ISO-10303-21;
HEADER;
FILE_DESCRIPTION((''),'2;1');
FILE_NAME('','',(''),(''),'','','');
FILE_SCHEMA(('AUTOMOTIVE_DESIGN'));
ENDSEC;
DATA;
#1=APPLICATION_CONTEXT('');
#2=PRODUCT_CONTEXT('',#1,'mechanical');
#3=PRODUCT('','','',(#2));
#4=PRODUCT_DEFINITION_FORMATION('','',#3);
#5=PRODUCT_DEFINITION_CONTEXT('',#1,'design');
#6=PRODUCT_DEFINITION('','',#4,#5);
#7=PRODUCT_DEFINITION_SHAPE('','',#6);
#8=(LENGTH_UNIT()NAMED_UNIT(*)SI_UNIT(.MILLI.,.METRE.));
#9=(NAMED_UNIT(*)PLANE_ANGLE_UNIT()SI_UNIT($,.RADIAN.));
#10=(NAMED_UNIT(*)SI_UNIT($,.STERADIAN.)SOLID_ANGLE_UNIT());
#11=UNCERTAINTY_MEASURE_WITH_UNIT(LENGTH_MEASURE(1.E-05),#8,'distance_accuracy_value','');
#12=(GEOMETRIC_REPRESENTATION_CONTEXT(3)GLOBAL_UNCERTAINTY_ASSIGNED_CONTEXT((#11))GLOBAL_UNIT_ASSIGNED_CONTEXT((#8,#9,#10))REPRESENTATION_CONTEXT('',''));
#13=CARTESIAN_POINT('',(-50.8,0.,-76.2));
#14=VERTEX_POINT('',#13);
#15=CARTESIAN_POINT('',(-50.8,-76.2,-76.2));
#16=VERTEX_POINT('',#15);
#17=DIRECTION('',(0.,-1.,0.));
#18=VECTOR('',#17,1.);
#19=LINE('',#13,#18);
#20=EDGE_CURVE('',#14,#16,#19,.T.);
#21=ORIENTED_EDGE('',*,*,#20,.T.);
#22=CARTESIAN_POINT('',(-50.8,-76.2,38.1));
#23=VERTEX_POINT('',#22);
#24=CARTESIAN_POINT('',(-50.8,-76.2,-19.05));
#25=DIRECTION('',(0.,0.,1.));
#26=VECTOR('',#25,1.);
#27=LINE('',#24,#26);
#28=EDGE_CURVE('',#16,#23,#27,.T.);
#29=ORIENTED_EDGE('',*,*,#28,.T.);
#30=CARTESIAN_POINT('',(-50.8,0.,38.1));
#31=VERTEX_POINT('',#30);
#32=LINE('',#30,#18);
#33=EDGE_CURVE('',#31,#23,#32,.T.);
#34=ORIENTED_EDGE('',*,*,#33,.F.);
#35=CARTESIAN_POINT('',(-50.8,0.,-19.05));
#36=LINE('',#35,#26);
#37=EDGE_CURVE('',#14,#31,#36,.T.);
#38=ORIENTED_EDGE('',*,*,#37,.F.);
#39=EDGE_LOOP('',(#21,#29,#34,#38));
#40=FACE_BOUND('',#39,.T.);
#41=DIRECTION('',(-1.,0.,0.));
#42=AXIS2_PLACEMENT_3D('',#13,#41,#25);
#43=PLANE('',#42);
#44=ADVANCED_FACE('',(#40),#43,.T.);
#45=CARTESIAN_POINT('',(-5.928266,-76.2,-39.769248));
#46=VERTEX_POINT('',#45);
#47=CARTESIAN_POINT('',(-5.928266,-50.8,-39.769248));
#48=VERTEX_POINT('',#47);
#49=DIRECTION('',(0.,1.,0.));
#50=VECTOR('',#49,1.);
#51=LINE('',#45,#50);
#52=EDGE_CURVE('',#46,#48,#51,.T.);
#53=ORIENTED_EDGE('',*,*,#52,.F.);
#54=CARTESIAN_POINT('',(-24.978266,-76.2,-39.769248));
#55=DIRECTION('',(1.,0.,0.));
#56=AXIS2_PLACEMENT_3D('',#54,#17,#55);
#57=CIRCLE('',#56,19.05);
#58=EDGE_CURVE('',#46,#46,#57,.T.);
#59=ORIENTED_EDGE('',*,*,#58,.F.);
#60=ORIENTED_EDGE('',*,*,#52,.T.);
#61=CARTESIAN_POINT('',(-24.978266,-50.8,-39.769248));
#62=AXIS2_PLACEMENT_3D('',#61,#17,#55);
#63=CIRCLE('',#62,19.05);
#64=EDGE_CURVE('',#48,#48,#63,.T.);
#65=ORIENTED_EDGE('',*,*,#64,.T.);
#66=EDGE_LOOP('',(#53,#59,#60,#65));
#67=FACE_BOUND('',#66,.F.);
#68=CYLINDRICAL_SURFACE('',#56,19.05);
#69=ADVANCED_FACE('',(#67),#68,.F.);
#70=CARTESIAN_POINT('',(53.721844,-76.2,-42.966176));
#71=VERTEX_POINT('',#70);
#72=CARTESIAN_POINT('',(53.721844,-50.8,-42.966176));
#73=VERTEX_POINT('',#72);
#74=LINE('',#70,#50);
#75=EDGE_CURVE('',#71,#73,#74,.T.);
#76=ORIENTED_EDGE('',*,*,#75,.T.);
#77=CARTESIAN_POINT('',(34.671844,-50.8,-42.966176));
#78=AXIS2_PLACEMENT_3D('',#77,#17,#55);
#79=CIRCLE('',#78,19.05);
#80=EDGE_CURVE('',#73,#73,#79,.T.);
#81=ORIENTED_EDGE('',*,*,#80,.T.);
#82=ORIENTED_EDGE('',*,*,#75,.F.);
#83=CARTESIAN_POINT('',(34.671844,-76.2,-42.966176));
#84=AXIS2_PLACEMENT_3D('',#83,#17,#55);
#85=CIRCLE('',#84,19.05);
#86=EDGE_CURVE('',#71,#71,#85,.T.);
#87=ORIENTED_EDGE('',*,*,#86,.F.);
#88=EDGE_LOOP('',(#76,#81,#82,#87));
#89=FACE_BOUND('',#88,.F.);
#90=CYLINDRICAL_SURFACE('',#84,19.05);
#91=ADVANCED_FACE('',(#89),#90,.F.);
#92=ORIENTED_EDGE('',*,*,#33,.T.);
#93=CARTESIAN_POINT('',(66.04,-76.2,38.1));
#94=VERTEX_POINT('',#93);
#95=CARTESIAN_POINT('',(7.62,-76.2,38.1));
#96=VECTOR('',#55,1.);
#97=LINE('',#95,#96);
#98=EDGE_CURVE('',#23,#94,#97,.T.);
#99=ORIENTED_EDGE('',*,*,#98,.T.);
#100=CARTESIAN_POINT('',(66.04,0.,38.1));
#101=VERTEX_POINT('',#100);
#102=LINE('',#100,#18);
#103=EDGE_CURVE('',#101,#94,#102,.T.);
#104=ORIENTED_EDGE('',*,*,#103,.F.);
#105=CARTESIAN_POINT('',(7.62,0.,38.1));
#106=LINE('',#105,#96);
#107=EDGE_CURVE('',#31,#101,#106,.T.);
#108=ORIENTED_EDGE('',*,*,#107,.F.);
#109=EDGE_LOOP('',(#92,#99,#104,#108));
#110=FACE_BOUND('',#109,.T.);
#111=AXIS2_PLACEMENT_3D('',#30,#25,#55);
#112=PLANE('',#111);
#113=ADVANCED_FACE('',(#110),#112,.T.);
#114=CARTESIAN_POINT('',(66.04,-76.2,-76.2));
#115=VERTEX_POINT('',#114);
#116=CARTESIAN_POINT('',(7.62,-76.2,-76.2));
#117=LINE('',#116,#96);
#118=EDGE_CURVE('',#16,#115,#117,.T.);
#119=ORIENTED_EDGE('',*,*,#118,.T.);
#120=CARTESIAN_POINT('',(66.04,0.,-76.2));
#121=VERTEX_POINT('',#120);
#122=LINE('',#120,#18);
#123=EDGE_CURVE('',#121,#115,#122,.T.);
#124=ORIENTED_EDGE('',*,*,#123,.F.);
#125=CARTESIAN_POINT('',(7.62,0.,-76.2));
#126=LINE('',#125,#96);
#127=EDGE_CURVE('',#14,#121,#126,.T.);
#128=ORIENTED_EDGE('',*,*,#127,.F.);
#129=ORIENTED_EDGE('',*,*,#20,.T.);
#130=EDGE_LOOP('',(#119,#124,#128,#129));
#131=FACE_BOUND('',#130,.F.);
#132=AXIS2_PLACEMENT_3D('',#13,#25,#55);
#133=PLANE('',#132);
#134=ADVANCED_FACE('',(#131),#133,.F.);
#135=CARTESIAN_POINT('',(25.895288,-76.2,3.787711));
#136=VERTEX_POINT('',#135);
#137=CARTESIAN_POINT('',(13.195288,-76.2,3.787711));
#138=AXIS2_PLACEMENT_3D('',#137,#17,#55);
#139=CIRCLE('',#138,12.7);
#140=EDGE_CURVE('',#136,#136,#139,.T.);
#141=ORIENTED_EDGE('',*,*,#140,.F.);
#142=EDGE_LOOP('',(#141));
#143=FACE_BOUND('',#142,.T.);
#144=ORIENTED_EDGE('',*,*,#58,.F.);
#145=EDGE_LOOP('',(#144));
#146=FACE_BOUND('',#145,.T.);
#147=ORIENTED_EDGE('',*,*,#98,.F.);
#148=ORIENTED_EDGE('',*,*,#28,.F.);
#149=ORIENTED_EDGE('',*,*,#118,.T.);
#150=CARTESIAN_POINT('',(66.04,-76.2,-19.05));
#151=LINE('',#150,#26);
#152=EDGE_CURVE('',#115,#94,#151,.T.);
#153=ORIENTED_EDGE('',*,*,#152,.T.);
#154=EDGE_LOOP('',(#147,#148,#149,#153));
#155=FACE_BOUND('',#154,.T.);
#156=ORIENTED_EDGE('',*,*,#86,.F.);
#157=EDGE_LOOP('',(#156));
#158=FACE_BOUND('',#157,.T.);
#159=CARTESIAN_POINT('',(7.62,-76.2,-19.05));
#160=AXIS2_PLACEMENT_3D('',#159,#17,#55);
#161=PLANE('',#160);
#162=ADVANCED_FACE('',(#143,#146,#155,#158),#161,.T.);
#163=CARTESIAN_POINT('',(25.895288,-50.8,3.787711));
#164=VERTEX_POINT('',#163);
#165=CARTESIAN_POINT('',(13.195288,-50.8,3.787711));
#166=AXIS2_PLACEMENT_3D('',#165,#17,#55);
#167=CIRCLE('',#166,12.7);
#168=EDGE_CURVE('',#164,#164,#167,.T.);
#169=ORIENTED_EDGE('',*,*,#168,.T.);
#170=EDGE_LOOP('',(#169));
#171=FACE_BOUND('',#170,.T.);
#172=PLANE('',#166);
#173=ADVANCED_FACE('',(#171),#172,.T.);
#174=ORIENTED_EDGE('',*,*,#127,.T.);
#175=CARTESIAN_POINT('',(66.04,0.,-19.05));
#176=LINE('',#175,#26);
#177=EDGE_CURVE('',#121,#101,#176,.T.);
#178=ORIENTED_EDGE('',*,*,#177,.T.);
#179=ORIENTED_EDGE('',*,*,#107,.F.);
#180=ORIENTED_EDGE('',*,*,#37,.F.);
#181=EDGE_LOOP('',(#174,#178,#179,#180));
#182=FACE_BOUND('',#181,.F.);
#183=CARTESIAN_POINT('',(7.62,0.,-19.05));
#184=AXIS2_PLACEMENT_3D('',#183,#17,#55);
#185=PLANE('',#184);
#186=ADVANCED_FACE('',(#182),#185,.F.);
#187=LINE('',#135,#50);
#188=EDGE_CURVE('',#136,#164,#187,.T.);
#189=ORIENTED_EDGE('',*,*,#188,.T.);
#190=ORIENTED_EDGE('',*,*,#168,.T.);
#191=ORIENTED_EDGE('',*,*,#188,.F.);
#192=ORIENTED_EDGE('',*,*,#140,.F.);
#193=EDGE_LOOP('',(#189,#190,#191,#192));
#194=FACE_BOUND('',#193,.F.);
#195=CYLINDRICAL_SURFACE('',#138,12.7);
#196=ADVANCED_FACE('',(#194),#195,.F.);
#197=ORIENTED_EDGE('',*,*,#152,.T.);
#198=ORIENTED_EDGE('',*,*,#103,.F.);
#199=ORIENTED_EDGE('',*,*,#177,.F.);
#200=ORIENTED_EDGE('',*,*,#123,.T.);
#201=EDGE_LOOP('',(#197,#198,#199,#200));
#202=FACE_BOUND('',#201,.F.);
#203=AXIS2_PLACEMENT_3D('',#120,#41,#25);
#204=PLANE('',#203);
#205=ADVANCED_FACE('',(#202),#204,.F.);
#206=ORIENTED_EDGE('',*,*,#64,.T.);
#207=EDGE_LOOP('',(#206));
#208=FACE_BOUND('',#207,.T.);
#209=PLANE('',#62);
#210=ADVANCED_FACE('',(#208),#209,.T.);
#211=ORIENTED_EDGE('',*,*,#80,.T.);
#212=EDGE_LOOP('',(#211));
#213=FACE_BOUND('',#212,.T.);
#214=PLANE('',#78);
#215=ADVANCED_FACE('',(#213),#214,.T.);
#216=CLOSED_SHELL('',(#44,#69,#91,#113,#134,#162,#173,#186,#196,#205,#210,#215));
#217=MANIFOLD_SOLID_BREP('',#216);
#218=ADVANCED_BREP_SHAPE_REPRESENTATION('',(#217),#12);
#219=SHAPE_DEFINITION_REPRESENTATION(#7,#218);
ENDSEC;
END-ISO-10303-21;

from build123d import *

# Parameters (mm, degrees)
F0_W     = 116.84
F0_H     = 114.3
F1_DEPTH = 76.2
F2_R     = 12.7
F2_R_2   = 19.05
F3_DEPTH = 25.4


with BuildPart() as f1:
    # F0 (on Front) → F1 (new body)
    with BuildSketch(Plane.XZ):
        with Locations((7.62, -19.05)):
            Rectangle(F0_W, F0_H)
    extrude(amount=F1_DEPTH)

    # F2 (on face) → F3 (cut)
    with BuildSketch(Plane.XZ.offset(76.2)):
        with Locations((13.195288, 3.787711)):
            Circle(F2_R)
        with Locations((34.671844, -42.966176)):
            Circle(F2_R_2)
        with Locations((-24.978266, -39.769248)):
            Circle(F2_R_2)
    extrude(amount=-F3_DEPTH, mode=Mode.SUBTRACT)


solid = f1.part
